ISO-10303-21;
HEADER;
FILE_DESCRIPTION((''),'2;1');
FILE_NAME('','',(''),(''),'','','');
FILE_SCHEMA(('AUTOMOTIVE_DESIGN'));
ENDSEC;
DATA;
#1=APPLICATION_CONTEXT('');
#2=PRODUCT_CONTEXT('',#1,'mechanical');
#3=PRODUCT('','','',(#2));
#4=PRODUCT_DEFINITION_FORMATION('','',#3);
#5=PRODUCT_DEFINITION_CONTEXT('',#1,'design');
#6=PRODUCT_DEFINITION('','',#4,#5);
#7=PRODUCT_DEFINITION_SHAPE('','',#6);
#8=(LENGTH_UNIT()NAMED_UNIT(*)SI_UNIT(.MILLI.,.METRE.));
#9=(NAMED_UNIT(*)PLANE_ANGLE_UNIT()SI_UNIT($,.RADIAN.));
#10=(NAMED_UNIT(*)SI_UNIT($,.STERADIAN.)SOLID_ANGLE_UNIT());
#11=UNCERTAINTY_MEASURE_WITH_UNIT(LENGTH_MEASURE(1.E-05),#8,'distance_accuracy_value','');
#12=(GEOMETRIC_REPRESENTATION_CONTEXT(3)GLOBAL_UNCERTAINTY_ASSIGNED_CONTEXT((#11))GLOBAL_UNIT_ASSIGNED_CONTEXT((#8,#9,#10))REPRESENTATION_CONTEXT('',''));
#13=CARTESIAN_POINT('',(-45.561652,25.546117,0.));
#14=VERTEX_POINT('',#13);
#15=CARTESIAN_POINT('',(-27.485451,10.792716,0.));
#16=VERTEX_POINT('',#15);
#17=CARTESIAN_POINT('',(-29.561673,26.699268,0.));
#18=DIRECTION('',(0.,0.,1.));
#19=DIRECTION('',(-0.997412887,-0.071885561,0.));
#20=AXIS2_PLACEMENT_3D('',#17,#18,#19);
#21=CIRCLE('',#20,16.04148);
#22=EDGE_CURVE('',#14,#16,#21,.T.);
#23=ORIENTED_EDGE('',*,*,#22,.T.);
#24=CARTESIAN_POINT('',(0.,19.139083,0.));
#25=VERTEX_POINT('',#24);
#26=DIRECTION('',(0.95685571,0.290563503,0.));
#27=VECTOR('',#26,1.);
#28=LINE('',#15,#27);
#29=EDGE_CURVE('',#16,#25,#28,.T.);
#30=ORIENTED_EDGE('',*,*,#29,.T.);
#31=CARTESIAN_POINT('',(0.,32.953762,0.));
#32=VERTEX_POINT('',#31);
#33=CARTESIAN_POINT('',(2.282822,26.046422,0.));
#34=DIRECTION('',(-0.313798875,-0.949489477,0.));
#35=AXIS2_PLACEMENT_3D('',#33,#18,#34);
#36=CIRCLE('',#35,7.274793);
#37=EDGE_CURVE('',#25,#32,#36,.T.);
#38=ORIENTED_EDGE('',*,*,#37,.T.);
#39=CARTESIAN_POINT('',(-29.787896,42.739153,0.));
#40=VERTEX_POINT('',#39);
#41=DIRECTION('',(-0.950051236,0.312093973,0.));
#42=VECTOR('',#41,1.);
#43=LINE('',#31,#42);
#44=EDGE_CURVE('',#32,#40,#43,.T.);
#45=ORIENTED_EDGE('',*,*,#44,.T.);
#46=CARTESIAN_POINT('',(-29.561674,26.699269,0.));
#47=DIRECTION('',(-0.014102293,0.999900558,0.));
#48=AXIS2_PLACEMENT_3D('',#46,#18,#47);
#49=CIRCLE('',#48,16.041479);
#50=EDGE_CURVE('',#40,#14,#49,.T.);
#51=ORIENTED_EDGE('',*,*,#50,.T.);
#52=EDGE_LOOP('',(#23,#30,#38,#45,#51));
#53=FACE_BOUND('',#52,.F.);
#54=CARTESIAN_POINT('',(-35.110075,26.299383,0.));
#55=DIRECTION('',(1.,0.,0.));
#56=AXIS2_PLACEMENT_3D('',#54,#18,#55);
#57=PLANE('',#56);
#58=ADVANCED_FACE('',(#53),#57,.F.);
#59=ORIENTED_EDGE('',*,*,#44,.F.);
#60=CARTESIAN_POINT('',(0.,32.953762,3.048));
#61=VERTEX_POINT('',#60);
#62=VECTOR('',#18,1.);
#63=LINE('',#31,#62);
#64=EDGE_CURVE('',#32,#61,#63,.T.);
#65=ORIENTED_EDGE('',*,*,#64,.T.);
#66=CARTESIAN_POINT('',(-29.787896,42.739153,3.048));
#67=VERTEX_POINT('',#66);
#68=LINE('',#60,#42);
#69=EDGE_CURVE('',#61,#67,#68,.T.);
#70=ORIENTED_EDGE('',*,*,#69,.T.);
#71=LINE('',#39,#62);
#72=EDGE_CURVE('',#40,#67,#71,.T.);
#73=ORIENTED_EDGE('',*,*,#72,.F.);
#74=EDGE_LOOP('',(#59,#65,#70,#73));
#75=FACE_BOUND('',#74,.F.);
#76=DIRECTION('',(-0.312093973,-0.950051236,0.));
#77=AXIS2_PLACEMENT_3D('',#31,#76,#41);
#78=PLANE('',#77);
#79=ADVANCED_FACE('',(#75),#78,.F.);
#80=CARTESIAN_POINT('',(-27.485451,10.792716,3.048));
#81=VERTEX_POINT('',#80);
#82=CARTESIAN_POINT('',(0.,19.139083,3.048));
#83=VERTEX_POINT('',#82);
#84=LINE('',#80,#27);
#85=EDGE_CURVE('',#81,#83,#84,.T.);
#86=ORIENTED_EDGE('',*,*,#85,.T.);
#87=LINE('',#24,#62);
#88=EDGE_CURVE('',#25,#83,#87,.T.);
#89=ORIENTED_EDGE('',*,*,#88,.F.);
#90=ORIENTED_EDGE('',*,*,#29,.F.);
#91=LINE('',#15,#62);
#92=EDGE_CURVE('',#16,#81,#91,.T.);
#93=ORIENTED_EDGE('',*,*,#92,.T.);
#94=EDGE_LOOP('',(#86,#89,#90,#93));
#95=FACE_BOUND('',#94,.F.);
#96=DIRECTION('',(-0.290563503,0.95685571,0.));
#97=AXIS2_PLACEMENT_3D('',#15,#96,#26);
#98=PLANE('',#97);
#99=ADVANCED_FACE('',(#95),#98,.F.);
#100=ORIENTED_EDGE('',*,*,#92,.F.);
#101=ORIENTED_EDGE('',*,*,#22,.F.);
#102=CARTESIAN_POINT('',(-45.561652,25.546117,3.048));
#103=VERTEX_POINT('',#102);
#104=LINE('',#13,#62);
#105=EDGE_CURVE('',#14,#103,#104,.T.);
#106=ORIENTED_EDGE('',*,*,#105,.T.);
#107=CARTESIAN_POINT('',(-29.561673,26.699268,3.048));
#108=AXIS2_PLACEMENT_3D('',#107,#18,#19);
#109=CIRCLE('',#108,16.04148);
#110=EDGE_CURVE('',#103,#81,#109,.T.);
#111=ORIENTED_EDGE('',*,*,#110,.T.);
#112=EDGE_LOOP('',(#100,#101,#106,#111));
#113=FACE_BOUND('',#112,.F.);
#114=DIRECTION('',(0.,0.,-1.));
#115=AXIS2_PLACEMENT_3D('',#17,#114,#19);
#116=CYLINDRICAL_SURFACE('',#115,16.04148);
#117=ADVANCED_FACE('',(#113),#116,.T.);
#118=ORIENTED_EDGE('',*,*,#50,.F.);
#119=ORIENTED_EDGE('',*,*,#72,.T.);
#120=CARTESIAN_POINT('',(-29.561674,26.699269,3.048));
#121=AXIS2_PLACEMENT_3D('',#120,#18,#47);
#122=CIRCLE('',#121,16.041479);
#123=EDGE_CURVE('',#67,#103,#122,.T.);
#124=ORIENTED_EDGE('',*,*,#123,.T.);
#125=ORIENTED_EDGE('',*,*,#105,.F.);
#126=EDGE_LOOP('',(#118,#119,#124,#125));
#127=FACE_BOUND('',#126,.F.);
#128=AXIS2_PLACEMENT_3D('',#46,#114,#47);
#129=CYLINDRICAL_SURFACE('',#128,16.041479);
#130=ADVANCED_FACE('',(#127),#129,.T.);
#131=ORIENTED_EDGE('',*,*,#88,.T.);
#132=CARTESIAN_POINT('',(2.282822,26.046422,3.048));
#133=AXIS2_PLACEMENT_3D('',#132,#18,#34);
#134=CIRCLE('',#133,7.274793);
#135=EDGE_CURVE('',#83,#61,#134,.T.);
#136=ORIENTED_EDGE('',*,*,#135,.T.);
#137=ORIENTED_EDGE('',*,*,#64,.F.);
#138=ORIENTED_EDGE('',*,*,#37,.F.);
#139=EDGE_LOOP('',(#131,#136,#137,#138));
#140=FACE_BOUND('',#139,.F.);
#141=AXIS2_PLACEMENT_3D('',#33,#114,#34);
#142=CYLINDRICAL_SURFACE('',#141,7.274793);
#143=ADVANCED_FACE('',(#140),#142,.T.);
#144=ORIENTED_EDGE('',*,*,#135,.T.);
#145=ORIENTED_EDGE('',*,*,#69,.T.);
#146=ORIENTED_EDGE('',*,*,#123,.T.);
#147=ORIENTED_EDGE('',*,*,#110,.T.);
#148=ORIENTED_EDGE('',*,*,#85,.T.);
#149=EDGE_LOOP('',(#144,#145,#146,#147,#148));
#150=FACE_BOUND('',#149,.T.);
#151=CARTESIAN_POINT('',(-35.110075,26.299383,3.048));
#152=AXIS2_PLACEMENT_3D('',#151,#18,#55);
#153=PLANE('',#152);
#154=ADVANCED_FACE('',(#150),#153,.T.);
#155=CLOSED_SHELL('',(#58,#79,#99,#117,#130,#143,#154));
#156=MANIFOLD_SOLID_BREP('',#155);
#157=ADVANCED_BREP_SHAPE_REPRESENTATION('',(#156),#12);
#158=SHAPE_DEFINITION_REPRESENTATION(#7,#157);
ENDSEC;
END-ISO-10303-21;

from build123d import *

# Parameters (mm, degrees)
F1_DEPTH = 3.048


with BuildPart() as f1:
    # F0 (on Top) → F1 (new body)
    with BuildSketch(Plane.XY):
        with BuildLine():
            Line((-27.485451, 10.792716), (-29.787896, 42.739153))
            ThreePointArc((-29.787896, 42.739153), (-41.382102, 37.543924), (-45.561652, 25.546117))
            ThreePointArc((-45.561652, 25.546117), (-39.704821, 14.271652), (-27.485451, 10.792716))
        make_face()
        Polygon((0, 32.953762), (-29.787896, 42.739153), (-27.485451, 10.792716), (0, 19.139083), align=None)
        with BuildLine():
            ThreePointArc((0, 19.139083), (9.557615, 26.046422), (0, 32.953762))
            Line((0, 32.953762), (0, 19.139083))
        make_face()
    extrude(amount=F1_DEPTH)


solid = f1.part
